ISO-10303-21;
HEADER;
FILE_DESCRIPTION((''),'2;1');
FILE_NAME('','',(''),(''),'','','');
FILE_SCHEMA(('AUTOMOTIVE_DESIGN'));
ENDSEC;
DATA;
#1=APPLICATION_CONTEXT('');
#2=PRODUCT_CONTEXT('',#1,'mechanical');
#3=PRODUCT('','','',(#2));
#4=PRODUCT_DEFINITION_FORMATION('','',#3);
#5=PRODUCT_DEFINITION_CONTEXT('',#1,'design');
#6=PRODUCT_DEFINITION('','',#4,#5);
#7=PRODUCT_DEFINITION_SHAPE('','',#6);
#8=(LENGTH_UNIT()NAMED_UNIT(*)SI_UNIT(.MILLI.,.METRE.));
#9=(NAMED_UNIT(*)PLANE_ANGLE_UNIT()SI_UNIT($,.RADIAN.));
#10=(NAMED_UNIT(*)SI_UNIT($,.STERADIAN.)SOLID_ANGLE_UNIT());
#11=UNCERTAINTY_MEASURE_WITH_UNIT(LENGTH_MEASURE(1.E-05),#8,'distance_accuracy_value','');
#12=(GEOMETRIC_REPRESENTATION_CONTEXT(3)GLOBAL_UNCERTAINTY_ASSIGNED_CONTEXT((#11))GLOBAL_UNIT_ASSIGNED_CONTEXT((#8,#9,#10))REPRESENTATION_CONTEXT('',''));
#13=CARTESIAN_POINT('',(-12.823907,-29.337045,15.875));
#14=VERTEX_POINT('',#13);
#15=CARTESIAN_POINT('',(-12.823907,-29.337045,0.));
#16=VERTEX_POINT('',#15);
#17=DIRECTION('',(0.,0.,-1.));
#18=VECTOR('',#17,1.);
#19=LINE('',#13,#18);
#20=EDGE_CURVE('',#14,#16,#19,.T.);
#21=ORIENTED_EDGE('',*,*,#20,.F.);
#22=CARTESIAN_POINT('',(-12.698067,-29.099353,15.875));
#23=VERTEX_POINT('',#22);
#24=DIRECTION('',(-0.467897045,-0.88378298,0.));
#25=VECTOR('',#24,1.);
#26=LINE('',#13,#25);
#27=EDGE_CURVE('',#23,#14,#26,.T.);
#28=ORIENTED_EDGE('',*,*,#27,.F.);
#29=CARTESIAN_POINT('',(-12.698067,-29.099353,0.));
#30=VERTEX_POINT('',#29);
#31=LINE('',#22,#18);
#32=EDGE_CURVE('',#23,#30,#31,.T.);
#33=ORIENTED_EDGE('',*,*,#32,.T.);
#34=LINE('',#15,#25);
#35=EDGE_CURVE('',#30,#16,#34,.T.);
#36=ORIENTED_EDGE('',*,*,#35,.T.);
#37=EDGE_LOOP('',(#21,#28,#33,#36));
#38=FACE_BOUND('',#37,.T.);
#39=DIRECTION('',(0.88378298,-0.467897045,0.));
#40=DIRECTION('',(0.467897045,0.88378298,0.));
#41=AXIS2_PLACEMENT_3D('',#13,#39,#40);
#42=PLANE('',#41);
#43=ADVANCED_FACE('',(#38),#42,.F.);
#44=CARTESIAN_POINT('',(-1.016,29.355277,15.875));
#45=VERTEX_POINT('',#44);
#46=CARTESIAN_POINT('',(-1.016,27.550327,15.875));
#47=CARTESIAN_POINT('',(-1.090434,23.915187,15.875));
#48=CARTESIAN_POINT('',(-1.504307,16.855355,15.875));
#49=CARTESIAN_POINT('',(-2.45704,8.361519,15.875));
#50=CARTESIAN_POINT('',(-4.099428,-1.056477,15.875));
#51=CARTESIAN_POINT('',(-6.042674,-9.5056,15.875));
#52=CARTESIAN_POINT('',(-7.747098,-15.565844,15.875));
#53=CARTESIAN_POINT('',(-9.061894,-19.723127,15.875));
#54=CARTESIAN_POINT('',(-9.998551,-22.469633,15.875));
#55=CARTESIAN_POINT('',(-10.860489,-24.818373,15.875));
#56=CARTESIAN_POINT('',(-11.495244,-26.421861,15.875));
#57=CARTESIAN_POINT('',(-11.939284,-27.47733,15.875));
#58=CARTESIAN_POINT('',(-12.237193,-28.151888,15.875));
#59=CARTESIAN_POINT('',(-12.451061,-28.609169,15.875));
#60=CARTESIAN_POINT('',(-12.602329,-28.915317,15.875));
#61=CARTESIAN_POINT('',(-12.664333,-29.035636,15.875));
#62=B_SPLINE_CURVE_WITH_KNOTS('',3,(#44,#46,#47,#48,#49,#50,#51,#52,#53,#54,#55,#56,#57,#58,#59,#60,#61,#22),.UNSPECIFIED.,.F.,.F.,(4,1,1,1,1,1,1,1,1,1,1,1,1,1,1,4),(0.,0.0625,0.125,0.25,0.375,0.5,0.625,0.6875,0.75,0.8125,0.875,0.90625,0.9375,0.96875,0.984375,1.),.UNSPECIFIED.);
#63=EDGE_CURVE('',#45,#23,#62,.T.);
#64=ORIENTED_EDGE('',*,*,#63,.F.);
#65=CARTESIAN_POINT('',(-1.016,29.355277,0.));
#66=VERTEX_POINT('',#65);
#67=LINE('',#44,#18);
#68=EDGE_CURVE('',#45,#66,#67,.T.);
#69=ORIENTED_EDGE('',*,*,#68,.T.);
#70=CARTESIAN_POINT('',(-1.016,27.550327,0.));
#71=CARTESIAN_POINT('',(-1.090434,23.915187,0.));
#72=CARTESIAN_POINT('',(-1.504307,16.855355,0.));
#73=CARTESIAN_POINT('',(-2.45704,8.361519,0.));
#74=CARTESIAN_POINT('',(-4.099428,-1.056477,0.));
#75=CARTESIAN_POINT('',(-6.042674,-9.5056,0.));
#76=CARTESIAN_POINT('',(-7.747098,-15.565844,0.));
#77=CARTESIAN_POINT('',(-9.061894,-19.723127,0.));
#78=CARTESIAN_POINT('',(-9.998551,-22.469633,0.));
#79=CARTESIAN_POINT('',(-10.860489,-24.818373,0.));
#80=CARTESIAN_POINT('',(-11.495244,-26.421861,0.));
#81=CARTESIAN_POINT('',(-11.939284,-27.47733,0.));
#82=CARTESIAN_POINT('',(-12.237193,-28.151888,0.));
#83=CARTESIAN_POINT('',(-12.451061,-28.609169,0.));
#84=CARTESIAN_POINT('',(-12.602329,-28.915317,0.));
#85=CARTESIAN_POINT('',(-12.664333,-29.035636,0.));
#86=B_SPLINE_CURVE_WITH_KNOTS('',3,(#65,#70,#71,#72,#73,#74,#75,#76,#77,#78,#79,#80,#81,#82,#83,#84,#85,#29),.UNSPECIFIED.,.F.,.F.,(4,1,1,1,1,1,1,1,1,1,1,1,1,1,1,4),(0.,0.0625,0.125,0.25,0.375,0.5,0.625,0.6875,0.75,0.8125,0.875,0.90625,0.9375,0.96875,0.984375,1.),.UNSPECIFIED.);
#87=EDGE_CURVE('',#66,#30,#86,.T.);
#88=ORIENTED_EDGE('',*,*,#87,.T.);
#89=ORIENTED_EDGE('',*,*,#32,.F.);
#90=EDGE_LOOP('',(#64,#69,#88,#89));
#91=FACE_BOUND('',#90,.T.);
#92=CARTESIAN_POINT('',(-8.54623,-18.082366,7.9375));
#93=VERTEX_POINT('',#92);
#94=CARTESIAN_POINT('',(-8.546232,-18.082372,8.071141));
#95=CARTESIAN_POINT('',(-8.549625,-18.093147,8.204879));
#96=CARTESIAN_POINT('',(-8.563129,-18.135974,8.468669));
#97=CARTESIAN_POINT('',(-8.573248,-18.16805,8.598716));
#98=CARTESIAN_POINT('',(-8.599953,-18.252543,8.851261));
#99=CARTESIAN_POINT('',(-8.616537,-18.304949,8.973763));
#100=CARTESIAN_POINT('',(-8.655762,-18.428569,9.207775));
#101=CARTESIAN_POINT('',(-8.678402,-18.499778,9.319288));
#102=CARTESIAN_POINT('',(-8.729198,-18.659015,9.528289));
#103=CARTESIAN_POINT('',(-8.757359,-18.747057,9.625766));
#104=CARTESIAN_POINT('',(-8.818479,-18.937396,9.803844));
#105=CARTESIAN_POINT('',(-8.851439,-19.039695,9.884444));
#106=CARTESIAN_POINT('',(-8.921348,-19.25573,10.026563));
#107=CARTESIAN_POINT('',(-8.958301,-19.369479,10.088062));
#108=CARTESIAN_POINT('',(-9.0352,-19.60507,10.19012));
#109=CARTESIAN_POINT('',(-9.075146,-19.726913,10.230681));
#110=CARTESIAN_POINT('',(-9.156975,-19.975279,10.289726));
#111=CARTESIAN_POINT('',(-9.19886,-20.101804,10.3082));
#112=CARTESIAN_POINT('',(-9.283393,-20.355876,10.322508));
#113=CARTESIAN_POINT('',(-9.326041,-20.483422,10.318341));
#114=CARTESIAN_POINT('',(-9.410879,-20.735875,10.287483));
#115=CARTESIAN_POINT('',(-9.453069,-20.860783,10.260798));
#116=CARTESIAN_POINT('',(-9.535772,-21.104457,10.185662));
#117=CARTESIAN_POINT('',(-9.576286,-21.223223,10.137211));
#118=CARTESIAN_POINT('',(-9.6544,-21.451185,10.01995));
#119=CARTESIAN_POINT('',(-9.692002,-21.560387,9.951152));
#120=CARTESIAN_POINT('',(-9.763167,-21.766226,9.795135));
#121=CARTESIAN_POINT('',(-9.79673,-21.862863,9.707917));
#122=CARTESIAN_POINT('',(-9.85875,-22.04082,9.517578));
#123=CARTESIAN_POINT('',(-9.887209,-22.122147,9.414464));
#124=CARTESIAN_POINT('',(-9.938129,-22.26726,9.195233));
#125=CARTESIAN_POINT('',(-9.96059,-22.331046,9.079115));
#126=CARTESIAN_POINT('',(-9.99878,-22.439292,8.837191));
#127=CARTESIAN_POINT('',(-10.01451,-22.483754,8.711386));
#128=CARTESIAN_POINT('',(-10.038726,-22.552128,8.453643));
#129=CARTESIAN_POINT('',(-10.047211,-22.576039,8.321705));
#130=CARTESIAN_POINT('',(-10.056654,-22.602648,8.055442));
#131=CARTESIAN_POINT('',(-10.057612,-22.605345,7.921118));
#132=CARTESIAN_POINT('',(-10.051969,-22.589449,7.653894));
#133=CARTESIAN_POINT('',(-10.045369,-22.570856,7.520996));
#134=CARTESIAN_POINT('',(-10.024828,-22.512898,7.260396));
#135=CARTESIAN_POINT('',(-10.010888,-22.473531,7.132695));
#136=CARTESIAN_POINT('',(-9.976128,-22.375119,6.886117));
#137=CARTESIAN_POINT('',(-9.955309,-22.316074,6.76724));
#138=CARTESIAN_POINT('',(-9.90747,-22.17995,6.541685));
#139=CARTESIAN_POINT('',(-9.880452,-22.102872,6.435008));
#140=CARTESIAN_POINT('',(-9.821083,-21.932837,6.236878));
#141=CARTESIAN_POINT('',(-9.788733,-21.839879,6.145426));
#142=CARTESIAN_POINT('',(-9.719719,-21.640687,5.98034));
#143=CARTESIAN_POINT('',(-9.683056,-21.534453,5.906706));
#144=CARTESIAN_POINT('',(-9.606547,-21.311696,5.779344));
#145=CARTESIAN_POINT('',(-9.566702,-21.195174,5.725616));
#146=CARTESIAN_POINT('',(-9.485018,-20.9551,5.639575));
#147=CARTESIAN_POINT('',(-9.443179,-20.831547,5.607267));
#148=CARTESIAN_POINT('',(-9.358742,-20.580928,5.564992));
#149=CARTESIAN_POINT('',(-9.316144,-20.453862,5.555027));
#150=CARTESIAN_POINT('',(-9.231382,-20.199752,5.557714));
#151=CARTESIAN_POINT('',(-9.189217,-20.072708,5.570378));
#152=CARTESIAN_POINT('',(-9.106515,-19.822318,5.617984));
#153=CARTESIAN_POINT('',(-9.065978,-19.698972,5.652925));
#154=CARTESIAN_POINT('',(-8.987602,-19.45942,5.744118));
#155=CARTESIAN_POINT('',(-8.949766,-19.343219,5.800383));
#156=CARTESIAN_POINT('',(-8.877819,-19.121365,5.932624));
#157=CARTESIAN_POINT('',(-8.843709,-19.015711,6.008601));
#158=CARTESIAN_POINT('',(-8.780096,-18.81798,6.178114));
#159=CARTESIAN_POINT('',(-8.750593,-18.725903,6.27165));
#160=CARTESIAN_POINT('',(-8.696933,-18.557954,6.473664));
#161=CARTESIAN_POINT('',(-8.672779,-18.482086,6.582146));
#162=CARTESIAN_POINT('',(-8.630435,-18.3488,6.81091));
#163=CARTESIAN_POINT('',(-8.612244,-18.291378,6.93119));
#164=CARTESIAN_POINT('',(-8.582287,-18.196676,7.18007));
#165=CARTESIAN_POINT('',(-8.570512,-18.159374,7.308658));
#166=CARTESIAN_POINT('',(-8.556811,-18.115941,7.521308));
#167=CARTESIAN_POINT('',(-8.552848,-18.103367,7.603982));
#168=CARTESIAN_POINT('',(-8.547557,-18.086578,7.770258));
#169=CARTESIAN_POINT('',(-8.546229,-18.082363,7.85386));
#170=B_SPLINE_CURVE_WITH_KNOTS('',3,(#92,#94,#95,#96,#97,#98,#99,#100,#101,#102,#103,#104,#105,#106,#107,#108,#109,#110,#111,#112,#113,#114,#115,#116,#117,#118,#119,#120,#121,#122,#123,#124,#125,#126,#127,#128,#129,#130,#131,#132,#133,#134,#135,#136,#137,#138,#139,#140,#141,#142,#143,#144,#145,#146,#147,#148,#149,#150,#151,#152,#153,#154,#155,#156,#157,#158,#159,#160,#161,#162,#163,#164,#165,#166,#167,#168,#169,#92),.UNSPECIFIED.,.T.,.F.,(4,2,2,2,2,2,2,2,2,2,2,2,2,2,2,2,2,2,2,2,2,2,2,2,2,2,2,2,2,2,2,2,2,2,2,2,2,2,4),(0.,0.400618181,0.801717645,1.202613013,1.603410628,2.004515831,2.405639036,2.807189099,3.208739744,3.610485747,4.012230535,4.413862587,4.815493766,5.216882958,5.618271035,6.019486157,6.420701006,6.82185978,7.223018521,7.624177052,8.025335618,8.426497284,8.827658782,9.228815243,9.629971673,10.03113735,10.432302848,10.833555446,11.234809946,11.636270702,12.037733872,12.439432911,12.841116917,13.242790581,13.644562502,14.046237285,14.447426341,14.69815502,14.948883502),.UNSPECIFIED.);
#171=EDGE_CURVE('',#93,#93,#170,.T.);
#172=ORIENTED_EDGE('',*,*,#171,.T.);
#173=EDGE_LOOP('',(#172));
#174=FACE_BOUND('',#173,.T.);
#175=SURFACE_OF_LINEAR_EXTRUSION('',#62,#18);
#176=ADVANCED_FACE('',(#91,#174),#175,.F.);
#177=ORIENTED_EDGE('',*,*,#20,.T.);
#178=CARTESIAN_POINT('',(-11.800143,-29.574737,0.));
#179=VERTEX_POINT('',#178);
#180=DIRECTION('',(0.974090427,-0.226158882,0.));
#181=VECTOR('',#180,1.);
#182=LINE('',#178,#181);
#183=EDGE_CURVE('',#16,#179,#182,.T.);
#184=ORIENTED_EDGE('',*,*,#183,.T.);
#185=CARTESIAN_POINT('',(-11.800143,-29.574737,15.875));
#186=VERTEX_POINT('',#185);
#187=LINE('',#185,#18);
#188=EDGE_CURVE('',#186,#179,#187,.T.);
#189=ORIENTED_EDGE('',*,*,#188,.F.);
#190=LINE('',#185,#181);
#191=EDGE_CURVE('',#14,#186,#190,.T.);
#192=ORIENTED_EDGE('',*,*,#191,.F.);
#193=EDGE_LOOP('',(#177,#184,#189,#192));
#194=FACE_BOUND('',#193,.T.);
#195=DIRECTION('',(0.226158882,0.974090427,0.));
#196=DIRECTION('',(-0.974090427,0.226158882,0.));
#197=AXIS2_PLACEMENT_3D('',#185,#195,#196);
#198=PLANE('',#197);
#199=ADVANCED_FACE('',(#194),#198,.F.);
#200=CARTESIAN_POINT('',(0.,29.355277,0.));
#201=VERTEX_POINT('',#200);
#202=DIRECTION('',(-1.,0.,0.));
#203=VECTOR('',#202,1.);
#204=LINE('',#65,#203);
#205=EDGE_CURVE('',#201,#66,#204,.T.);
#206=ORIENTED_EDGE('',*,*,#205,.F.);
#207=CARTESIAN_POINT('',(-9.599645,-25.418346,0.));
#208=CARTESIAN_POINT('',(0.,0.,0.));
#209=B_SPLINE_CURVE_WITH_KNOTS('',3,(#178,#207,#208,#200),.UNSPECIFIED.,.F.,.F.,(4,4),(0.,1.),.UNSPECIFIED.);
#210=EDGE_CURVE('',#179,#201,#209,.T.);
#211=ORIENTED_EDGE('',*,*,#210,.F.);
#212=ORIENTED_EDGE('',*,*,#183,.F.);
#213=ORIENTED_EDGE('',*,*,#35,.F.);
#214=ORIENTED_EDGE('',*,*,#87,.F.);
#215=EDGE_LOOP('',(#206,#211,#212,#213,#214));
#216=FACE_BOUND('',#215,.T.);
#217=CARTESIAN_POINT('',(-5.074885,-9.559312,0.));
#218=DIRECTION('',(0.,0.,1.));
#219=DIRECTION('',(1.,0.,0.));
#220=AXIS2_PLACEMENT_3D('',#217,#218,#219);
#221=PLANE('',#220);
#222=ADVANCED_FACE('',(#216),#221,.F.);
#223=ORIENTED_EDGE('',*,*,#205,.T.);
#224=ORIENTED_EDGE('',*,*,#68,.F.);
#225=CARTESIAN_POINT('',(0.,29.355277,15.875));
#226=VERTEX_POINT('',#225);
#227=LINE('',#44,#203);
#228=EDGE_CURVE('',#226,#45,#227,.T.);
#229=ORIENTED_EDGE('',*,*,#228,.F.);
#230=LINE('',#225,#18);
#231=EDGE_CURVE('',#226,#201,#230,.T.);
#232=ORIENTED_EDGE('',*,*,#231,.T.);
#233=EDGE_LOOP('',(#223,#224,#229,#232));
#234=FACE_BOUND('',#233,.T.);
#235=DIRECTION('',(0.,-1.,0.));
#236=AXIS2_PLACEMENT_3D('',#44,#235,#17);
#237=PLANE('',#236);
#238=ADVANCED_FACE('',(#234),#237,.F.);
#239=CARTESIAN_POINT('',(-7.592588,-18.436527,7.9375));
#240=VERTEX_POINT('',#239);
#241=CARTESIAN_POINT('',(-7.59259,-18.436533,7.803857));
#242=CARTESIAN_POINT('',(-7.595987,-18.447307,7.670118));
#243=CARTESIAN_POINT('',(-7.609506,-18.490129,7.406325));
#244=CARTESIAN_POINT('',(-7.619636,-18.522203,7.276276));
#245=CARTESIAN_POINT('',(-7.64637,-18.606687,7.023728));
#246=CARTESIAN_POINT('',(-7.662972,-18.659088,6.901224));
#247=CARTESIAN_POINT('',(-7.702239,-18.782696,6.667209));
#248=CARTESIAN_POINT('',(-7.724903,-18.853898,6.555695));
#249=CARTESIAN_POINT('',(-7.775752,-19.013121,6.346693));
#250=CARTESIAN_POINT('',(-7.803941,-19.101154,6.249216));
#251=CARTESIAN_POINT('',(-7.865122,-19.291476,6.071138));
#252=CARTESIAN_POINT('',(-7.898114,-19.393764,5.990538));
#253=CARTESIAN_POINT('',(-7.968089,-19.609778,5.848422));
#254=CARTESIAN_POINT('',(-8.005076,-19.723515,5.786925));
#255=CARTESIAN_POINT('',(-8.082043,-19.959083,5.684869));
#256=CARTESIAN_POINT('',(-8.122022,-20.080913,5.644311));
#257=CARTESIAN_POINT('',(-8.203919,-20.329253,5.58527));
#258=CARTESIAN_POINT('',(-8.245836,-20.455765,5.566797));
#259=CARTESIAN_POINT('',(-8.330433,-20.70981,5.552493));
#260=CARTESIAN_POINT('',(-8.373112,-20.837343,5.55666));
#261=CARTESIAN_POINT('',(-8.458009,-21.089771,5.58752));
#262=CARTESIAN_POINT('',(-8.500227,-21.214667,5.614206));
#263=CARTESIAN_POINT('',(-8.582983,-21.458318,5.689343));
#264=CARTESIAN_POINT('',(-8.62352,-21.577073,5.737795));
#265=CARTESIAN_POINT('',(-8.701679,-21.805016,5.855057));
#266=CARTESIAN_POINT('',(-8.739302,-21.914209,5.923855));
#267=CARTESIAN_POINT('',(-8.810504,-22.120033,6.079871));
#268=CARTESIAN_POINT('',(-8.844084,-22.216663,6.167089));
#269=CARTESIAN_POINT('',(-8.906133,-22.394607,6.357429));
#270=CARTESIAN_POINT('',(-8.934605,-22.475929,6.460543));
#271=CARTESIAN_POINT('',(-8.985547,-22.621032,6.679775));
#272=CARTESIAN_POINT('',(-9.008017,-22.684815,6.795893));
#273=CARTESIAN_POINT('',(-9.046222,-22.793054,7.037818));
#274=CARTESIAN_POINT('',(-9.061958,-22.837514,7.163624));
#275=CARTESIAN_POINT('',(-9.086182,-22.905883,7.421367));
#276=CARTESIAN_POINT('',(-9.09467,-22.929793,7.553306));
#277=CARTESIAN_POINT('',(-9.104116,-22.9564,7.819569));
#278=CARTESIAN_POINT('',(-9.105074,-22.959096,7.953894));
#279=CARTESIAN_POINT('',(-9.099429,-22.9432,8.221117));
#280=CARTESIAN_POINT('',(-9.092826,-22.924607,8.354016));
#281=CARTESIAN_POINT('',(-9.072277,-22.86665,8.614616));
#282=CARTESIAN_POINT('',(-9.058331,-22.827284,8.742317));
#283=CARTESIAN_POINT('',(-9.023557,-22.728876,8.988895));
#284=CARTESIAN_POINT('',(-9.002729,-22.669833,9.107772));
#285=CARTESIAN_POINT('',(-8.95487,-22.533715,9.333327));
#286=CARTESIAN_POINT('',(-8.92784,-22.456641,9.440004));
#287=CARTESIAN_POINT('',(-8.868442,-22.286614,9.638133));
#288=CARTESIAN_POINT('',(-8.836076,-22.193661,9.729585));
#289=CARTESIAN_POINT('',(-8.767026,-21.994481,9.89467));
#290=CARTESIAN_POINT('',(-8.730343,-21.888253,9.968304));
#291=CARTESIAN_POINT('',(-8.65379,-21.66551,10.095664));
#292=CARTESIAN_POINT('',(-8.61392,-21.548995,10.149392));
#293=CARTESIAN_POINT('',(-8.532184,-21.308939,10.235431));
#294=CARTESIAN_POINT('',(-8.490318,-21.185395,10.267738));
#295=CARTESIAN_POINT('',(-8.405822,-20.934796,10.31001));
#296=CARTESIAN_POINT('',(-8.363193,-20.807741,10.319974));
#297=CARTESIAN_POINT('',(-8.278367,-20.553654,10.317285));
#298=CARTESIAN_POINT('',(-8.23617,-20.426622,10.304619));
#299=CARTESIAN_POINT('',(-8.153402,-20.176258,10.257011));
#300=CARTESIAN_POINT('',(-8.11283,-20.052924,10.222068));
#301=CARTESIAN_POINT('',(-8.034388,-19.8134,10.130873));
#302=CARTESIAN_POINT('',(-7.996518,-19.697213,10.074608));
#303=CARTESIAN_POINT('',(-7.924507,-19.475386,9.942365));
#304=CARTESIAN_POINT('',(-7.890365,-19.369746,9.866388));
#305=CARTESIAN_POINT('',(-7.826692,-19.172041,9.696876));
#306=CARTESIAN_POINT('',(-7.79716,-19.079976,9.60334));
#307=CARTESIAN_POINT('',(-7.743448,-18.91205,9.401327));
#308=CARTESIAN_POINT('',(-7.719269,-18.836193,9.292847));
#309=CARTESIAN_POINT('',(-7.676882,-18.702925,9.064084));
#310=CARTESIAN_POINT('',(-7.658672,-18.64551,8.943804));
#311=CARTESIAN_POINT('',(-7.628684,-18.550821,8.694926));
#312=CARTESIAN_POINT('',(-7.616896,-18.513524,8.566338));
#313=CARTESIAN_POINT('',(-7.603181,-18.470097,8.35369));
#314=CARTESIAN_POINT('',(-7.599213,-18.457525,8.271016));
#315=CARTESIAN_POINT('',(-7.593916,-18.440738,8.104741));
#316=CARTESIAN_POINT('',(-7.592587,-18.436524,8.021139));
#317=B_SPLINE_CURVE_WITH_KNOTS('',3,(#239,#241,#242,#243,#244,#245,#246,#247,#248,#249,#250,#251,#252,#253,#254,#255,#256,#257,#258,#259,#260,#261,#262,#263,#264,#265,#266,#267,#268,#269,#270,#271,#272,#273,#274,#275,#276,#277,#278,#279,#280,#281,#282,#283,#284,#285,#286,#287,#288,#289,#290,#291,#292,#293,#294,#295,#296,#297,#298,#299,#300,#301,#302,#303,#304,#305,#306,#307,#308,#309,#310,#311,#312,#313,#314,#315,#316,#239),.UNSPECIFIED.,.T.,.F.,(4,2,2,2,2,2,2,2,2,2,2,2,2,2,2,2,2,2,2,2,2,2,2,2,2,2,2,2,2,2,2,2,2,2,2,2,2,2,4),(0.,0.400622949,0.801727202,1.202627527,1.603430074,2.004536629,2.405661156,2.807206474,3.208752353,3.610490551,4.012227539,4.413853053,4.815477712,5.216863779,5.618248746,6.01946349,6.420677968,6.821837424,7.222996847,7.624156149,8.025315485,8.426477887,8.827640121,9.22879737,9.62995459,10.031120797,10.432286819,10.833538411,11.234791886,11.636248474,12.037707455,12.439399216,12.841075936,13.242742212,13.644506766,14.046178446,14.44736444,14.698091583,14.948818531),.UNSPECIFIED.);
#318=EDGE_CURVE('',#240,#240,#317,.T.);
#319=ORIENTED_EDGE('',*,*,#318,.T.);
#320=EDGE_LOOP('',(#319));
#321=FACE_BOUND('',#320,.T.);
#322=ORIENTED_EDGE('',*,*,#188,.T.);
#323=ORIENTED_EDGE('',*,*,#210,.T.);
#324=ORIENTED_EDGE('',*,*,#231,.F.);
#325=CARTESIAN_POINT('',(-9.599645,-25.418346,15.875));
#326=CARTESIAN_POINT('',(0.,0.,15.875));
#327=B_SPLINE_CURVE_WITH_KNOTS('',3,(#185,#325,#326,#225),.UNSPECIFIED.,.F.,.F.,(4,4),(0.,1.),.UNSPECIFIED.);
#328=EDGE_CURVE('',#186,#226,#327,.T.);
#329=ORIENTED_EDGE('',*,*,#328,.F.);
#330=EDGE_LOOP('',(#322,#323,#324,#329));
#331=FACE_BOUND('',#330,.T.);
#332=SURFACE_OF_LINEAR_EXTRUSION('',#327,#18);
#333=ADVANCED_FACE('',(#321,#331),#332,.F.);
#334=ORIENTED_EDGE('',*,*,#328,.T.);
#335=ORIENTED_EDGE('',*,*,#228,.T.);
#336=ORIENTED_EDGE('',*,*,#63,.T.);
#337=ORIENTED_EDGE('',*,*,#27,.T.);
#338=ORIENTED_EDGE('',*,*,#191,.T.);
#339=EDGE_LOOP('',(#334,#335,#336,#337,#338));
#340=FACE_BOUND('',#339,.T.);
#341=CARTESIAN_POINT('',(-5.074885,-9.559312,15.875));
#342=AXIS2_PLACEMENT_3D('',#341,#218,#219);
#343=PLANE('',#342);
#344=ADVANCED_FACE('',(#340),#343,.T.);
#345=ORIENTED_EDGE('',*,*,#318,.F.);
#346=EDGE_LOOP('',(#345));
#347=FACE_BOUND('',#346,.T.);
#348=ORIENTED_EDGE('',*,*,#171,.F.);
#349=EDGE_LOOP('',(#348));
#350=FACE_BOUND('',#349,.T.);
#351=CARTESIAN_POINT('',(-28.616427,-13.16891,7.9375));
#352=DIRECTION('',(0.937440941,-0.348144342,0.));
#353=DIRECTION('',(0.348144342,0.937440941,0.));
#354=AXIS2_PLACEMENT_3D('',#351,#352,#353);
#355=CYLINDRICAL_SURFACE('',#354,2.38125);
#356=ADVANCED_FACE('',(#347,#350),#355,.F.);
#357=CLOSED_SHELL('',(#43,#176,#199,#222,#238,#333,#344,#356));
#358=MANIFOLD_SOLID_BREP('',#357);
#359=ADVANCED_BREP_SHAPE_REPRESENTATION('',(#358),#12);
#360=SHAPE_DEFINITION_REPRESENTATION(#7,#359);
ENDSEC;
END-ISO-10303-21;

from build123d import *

# Parameters (mm, degrees)
BOSS_EXTRUDE1_DEPTH = 15.875
SKETCH3_R           = 2.38125
CUT_EXTRUDE1_DEPTH  = 22.710547331


with BuildPart() as part:
    # Sketch1 → Boss-Extrude1 (new body)
    with BuildSketch(Plane.XY):
        with BuildLine():
            Line((-1.016, 29.355277439), (0, 29.355277439))
            add(Edge.make_bspline(
                [(0, 29.355277439), (0, 0), (-9.599644928, -25.418345845), (-11.80014336, -29.574736835)],
                knots=[0, 0, 0, 0, 1, 1, 1, 1], degree=3))
            Line((-11.80014336, -29.574736835), (-12.82390686, -29.337045136))
            Line((-12.82390686, -29.337045136), (-12.698066868, -29.099353437))
            add(Edge.make_bspline(
                [(-1.016, 29.355277439), (-1.016, 27.550326556), (-1.090433728, 23.915187486), (-1.504306808, 16.855354767), (-2.457039545, 8.361518974), (-4.099428394, -1.056476565), (-6.042674076, -9.505599636), (-7.747097747, -15.565843862), (-9.061893662, -19.723126975), (-9.998550617, -22.469633369), (-10.860488882, -24.818373274), (-11.495244143, -26.421861441), (-11.9392839, -27.477329912), (-12.237192952, -28.15188839), (-12.451060525, -28.609168554), (-12.602329361, -28.915317146), (-12.664333464, -29.035636411), (-12.698066868, -29.099353437)],
                knots=[0, 0, 0, 0, 0.0625, 0.125, 0.25, 0.375, 0.5, 0.625, 0.6875, 0.75, 0.8125, 0.875, 0.90625, 0.9375, 0.96875, 0.984375, 1, 1, 1, 1], degree=3))
        make_face()
    extrude(amount=BOSS_EXTRUDE1_DEPTH)

    # Sketch3 → Cut-Extrude1 (cut, through all)
    with BuildSketch(Plane(origin=(-9.637227011, -24.424781037, 8.010581608), x_dir=(0, 0, -1), z_dir=(0.937440941, -0.348144342, 0))):
        with Locations((0.073081608, 3.944213504)):
            Circle(SKETCH3_R)
    extrude(amount=-CUT_EXTRUDE1_DEPTH, mode=Mode.SUBTRACT)


solid = part.part
